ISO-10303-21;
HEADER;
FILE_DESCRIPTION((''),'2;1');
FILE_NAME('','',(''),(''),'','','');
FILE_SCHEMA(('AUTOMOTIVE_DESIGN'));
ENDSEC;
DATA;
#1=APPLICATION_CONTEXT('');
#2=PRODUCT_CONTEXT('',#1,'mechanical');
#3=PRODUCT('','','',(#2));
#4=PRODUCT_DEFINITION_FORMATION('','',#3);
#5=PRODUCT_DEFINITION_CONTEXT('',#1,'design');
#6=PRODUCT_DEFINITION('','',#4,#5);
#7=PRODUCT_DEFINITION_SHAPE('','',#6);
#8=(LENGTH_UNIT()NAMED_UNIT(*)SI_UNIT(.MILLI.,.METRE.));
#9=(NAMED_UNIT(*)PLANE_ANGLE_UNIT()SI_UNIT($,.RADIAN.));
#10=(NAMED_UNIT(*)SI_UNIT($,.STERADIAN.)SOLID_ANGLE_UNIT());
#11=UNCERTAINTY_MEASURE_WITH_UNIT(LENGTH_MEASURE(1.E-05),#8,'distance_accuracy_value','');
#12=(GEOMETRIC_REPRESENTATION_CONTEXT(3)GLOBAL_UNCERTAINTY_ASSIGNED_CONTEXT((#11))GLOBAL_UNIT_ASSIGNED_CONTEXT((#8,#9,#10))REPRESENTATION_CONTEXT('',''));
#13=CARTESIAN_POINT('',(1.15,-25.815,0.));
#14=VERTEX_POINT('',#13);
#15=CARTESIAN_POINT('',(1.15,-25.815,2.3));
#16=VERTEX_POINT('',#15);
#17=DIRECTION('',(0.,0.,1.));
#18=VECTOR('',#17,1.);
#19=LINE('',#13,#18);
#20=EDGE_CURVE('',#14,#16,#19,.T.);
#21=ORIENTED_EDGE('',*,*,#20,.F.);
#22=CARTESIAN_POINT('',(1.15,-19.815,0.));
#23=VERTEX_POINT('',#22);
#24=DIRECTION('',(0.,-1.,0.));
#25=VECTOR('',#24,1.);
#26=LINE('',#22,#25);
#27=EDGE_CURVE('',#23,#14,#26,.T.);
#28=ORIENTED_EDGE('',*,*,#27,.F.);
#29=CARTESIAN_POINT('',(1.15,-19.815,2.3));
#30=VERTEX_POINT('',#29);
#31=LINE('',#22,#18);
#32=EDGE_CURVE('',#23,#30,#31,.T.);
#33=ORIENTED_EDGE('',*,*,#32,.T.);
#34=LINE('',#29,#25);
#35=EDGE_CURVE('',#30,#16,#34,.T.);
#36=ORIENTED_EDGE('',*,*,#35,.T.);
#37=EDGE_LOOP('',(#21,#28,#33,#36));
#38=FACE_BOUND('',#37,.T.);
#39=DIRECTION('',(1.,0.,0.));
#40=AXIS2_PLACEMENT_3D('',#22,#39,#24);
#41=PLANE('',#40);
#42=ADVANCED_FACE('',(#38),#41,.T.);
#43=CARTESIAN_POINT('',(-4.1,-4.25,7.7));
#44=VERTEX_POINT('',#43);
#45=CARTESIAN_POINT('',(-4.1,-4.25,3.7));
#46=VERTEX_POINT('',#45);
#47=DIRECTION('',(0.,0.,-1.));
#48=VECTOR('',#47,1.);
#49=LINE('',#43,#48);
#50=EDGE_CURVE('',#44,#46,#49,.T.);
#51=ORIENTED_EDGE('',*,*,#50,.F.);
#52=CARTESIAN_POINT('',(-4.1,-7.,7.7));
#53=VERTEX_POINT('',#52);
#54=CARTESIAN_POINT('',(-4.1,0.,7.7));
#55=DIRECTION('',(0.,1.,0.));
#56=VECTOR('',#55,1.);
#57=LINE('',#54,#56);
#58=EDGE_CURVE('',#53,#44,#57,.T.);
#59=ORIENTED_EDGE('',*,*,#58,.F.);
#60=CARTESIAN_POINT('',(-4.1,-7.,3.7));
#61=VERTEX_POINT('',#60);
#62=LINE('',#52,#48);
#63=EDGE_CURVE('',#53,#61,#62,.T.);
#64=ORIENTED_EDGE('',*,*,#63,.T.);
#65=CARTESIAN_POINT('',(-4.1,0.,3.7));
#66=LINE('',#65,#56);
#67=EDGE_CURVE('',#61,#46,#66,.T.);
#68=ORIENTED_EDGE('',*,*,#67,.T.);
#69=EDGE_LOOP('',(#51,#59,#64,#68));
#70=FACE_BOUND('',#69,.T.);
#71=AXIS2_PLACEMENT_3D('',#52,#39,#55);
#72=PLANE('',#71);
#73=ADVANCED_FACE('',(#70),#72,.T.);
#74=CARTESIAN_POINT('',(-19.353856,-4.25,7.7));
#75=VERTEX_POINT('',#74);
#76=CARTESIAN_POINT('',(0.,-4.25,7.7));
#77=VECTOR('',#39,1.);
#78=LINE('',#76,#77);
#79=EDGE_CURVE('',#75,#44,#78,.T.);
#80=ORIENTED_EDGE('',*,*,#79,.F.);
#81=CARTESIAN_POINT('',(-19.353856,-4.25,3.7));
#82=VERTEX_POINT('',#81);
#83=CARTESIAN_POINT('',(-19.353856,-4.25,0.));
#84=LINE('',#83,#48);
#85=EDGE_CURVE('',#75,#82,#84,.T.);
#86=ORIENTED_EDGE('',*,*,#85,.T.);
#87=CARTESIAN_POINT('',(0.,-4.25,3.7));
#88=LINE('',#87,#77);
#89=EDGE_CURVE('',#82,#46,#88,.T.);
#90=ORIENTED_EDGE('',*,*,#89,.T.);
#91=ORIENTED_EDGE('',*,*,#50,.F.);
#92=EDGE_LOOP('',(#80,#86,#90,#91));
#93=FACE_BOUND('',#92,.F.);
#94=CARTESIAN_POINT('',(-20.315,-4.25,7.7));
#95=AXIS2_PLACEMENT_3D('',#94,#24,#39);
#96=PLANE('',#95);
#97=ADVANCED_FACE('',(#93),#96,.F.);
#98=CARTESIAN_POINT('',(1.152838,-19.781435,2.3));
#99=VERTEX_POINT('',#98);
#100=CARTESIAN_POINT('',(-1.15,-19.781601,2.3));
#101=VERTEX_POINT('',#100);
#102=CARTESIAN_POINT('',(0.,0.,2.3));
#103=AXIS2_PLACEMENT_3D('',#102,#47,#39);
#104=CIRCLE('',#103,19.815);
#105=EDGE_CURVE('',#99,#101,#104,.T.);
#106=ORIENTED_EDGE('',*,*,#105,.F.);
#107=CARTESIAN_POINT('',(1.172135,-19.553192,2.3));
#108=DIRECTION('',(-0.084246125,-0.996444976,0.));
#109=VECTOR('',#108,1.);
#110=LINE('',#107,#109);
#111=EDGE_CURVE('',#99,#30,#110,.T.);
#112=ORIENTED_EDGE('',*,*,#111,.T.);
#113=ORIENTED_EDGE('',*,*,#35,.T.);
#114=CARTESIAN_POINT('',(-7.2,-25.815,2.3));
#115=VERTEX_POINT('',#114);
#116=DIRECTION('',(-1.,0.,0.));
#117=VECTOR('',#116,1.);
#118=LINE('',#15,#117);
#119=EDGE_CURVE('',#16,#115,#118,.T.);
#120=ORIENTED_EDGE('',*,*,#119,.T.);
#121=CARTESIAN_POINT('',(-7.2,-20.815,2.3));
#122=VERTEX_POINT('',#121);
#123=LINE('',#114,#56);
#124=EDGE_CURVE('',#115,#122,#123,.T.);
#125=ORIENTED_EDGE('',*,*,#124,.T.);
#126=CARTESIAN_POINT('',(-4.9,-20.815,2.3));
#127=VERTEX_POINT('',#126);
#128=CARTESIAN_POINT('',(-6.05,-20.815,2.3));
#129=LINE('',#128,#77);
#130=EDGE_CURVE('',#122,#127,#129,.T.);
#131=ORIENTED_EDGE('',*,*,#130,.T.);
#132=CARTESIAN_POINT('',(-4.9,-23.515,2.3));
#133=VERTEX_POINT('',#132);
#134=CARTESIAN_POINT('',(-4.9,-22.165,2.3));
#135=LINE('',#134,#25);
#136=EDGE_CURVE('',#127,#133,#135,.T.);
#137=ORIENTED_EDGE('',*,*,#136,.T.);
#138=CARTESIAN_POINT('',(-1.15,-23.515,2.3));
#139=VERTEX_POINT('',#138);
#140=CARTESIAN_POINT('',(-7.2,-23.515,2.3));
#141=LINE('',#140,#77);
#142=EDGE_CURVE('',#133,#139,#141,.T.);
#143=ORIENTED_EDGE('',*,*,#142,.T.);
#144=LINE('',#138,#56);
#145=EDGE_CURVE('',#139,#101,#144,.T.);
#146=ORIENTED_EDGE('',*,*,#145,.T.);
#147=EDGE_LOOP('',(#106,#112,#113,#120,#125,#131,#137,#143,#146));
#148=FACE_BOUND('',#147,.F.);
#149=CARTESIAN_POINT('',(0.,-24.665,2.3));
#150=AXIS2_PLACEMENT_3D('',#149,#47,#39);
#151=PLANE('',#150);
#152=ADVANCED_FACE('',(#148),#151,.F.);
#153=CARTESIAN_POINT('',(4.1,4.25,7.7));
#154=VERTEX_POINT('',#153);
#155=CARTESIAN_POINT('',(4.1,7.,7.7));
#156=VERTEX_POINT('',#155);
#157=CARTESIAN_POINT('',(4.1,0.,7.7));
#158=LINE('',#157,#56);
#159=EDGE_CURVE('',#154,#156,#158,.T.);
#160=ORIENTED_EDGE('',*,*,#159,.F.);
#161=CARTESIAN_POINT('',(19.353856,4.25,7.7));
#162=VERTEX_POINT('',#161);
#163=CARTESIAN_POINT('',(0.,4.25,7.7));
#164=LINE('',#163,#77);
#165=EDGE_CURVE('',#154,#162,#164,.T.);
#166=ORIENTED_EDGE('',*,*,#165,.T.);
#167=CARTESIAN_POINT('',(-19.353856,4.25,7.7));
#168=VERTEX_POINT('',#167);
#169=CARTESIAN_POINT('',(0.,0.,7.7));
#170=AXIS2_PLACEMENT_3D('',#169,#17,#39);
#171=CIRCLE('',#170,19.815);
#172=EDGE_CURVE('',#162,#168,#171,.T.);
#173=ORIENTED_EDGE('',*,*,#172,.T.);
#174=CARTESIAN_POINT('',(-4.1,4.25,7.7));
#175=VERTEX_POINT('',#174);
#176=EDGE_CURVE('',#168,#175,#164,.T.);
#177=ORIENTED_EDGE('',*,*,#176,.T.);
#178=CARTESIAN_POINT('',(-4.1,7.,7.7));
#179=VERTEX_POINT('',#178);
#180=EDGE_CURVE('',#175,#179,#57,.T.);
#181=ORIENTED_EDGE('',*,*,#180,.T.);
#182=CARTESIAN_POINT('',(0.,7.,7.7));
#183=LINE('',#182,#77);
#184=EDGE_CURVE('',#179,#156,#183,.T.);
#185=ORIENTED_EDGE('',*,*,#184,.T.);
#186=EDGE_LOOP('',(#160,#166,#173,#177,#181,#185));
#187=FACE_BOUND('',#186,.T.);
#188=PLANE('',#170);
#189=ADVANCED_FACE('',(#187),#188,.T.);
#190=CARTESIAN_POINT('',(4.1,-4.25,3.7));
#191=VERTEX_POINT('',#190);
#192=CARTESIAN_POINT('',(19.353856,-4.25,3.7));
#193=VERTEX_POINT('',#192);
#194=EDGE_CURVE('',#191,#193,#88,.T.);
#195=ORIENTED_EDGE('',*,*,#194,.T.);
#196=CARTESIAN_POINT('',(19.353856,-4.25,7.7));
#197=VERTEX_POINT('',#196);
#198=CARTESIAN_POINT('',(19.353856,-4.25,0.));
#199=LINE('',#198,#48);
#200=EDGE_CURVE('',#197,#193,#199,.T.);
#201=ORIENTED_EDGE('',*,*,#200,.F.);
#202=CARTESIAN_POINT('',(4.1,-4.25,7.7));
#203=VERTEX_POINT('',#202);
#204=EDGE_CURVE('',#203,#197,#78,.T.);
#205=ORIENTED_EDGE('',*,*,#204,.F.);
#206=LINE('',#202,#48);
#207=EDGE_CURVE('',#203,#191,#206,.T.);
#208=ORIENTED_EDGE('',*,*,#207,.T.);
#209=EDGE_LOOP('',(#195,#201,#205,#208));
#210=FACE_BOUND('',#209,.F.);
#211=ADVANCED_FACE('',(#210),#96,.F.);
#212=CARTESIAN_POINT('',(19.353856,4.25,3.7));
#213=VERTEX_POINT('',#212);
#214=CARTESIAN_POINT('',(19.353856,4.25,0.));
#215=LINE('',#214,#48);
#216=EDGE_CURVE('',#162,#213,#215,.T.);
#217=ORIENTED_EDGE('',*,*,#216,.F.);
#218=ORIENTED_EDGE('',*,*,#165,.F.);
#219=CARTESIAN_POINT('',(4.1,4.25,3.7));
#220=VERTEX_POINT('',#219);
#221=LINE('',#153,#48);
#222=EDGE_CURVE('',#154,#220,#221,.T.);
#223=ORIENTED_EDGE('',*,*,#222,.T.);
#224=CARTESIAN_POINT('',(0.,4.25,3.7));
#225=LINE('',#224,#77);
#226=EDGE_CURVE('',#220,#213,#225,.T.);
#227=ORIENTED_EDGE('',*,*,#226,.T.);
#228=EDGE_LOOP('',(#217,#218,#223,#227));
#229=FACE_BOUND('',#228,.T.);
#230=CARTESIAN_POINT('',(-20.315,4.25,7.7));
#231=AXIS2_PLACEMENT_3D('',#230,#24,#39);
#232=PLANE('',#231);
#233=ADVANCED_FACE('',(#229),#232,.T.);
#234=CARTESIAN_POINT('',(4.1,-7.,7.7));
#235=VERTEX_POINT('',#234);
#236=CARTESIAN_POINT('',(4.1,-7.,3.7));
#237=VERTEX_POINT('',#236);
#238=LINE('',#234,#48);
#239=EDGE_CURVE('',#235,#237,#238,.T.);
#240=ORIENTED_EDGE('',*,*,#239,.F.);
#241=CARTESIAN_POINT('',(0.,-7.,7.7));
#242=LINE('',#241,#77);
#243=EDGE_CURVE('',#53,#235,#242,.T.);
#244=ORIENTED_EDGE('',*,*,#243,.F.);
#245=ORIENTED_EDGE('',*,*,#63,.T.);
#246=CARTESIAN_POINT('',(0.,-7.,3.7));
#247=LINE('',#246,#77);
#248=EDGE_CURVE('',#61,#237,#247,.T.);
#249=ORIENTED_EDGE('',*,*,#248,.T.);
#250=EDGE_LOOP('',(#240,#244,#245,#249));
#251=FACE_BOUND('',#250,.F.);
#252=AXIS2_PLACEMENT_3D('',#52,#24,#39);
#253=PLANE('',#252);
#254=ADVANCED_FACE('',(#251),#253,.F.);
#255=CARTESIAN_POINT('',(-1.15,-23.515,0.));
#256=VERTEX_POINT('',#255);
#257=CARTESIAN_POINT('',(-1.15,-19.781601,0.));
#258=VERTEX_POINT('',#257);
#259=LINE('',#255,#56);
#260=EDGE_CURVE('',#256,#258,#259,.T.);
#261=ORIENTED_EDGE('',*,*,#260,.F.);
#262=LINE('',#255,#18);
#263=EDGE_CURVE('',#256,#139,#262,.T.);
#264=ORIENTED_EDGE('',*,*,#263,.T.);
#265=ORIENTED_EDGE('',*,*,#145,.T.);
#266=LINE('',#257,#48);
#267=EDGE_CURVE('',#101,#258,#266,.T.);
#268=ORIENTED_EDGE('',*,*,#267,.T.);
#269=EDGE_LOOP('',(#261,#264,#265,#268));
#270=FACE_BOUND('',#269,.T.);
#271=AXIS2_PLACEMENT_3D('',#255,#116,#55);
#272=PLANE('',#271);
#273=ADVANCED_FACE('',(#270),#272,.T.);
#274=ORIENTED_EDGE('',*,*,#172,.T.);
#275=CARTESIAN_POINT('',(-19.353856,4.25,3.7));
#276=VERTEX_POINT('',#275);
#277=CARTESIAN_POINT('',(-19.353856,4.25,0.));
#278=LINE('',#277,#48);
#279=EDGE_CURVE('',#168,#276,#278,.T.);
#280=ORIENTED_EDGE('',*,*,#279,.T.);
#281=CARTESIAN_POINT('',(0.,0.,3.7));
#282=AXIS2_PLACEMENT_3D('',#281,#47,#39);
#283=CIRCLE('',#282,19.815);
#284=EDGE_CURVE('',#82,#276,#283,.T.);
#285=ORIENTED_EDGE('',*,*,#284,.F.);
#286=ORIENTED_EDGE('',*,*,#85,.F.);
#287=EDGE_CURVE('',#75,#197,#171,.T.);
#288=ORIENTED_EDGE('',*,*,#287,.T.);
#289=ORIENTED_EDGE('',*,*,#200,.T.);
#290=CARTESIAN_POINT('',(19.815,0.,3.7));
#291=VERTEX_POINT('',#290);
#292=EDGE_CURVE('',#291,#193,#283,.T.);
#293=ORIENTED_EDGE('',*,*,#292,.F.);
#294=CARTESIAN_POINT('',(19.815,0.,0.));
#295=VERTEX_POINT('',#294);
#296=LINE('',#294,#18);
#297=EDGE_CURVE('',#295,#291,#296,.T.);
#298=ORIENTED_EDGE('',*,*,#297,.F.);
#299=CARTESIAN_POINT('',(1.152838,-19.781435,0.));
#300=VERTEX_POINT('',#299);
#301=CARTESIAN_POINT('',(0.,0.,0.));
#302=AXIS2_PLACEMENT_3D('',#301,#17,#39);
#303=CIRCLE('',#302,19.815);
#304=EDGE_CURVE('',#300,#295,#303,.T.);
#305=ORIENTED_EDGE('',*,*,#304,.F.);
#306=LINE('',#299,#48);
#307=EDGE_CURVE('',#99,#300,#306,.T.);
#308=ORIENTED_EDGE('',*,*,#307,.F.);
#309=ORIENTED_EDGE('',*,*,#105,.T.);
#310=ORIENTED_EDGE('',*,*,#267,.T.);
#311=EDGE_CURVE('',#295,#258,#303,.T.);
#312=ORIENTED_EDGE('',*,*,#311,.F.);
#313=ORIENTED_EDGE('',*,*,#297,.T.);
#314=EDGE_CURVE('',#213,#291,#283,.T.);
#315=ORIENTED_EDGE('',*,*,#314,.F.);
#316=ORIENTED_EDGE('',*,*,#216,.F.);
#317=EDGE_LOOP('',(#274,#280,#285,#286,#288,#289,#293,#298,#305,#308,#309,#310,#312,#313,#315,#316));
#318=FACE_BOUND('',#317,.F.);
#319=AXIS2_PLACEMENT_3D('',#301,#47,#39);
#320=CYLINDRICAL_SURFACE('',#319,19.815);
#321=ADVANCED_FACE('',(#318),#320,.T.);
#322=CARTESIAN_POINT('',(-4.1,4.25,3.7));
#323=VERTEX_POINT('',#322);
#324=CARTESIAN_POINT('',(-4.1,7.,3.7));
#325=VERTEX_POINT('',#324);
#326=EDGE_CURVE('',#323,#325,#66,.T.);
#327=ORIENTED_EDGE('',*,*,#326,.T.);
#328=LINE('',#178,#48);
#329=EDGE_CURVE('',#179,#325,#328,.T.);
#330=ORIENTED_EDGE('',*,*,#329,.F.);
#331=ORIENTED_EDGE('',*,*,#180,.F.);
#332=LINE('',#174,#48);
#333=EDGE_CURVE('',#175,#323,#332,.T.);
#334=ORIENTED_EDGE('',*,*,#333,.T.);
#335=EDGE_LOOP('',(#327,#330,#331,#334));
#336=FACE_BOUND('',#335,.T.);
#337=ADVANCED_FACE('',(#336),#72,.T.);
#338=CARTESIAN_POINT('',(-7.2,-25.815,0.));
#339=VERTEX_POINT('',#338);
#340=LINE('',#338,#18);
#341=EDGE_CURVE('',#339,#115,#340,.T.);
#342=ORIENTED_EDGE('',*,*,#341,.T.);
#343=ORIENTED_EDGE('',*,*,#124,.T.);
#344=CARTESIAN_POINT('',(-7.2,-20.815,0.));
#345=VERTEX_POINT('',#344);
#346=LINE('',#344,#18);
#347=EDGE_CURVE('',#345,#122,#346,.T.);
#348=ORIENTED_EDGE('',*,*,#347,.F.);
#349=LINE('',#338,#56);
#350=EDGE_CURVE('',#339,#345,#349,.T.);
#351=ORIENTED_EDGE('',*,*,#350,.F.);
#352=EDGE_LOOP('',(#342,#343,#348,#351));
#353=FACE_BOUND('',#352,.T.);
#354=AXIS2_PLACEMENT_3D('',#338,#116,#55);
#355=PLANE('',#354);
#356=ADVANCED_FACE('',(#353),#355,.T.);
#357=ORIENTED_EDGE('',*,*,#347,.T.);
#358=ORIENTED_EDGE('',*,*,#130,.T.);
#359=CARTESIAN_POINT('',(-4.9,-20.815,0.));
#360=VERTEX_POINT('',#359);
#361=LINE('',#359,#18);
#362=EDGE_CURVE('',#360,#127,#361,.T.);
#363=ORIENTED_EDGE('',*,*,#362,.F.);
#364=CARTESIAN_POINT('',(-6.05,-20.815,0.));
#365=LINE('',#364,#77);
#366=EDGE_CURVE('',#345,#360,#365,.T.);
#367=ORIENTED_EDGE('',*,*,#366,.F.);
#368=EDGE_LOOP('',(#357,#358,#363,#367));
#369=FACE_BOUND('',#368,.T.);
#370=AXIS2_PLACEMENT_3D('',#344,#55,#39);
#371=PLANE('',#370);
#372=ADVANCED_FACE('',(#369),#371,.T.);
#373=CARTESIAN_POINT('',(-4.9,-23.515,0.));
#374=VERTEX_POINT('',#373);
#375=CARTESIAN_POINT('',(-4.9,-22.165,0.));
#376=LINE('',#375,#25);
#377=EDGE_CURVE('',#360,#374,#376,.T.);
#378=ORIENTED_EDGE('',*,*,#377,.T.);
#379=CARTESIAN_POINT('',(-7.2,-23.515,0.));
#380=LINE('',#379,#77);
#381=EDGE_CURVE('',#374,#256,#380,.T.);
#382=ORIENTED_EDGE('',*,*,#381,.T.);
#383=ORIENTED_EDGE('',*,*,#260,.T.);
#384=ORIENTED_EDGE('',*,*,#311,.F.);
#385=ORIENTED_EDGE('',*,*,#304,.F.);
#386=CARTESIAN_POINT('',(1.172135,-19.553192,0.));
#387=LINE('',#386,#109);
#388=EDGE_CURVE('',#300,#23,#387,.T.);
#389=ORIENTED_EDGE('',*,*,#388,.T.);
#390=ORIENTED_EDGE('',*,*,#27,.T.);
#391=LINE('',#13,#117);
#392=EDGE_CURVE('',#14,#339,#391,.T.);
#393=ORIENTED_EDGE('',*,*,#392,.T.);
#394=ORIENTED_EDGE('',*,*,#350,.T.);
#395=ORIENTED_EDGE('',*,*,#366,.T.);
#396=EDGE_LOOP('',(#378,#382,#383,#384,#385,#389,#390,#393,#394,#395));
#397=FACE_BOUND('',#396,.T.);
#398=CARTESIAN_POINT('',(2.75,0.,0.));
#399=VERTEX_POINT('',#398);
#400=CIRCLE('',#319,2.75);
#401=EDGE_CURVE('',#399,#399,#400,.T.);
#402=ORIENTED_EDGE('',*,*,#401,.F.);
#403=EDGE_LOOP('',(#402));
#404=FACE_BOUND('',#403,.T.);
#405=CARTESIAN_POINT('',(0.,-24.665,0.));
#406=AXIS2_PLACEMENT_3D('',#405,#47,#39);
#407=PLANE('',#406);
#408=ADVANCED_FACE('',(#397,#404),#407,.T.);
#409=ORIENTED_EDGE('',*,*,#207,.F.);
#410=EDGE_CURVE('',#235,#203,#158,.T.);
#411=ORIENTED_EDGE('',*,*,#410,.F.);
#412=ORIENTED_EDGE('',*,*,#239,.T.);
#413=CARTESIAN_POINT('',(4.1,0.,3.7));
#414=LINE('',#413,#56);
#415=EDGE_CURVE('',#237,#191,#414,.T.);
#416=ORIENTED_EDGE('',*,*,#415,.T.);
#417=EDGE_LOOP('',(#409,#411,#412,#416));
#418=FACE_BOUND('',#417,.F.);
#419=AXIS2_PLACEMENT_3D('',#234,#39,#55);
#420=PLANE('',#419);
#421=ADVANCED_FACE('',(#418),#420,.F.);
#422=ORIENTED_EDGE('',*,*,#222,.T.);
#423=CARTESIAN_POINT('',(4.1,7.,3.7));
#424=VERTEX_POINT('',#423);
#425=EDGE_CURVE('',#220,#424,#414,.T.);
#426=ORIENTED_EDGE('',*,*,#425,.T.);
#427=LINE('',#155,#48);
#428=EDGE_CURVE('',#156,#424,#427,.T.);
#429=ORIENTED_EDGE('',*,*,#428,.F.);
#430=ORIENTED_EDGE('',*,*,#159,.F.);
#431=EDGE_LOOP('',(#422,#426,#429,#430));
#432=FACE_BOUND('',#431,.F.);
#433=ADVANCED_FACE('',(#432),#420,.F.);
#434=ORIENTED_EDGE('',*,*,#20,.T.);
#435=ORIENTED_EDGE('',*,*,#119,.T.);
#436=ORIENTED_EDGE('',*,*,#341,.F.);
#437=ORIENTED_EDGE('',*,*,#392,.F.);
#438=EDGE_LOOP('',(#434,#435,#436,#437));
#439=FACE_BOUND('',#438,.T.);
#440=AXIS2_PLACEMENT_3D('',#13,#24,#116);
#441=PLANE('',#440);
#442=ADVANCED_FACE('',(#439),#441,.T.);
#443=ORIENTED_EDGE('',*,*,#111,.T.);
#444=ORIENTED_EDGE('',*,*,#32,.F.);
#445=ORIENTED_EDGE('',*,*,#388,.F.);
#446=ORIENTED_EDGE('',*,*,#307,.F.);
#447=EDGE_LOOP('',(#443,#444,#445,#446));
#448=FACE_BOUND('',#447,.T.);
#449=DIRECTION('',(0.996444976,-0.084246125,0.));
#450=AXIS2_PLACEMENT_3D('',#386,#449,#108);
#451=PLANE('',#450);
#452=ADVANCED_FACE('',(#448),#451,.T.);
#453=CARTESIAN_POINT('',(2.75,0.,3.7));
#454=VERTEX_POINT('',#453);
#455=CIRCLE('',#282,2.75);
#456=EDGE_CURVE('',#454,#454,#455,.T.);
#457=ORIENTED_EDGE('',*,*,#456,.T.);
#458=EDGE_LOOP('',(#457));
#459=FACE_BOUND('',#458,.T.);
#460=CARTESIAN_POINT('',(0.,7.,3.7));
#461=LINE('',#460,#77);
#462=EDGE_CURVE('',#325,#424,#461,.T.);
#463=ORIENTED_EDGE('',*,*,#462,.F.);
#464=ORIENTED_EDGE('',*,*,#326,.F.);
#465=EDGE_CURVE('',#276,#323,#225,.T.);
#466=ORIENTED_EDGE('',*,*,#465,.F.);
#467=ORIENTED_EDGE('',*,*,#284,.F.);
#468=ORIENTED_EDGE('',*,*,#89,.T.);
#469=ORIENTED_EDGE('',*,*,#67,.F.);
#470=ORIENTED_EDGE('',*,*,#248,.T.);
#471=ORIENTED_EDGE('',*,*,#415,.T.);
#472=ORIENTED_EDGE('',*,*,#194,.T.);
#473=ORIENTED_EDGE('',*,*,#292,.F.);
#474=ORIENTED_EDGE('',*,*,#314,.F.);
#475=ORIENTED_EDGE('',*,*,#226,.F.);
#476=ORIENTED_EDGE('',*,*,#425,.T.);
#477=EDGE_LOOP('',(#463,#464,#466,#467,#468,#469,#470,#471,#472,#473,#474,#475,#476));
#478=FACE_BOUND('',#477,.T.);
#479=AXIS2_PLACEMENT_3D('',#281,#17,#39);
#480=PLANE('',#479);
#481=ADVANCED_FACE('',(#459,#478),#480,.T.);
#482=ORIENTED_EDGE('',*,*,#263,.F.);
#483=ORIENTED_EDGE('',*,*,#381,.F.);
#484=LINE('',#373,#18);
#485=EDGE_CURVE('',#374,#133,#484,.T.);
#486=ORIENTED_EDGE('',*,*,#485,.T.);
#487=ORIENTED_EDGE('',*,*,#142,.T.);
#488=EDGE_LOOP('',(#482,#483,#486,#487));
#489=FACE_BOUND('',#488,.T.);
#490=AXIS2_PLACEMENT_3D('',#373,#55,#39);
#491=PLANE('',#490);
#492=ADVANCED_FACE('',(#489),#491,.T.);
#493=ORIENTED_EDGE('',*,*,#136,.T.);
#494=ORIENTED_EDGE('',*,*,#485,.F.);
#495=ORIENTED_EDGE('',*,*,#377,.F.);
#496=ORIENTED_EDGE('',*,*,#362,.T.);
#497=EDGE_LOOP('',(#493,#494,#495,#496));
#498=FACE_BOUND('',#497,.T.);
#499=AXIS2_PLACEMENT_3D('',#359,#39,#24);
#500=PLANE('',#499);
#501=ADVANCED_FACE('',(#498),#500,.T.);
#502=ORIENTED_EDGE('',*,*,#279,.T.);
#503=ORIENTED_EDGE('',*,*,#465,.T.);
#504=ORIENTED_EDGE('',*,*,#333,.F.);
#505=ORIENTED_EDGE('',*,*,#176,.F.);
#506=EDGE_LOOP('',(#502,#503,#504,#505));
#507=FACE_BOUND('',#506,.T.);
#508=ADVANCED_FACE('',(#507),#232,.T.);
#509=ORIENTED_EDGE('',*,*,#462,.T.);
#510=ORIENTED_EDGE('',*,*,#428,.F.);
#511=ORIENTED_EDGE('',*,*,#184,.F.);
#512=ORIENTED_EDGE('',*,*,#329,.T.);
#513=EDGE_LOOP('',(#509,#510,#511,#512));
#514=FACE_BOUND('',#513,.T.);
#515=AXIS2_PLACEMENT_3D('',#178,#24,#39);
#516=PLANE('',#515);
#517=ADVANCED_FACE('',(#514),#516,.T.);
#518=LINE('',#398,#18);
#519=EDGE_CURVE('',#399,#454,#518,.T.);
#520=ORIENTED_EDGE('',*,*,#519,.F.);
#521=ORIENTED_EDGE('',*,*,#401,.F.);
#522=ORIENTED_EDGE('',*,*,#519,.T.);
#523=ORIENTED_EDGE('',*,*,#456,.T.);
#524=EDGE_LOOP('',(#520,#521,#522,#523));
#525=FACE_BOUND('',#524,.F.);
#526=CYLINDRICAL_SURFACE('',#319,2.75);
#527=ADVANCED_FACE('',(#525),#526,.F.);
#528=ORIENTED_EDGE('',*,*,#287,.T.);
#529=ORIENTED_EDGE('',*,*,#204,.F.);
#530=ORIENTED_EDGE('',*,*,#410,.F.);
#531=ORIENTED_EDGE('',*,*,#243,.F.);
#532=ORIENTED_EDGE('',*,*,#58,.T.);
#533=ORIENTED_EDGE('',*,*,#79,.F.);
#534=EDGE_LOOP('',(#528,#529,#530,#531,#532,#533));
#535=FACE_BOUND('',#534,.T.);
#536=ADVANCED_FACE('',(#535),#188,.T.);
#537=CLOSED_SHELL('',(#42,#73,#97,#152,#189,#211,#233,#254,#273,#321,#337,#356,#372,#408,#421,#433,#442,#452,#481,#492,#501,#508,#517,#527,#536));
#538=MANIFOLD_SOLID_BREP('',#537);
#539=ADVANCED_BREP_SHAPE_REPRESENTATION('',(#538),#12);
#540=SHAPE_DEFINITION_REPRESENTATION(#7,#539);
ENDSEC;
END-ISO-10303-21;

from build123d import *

# Parameters (mm, degrees)
F0_R     = 19.815
F1_DEPTH = 7.7
F2_W     = 8.2
F2_H     = 14
F3_DEPTH = 4
F4_W     = 40.63
F4_H     = 8.5
F5_DEPTH = 4
F6_W     = 2.3
F6_H     = 2.3
F6_W_2   = 3.75
F6_H_2   = 2.7
F7_DEPTH = 2.3
F8_R     = 2.75
F9_DEPTH = 25


with BuildPart() as f1:
    # F0 (on Top) → F1 (new body)
    with BuildSketch(Plane.XY):
        Circle(F0_R)
    extrude(amount=F1_DEPTH)

    # F2 (on face) → F3 (cut)
    with BuildSketch(Plane.XY.offset(7.7)):
        Rectangle(F2_W, F2_H)
    extrude(amount=-F3_DEPTH, mode=Mode.SUBTRACT)

    # F4 (on face) → F5 (cut)
    with BuildSketch(Plane.XY.offset(7.7)):
        Rectangle(F4_W, F4_H)
    extrude(amount=-F5_DEPTH, mode=Mode.SUBTRACT)

    # F6 (on face) → F7 (join)
    with BuildSketch(Plane(origin=(0, 0, 0), x_dir=(1, 0, 0), z_dir=(0, 0, -1))):
        with Locations((0, 24.665)):
            Rectangle(F6_W, F6_H)
        with Locations((-3.025, 24.665)):
            Rectangle(F6_W_2, F6_H)
        Polygon((1.15, 19.815), (1.15, 23.515), (-1.15, 23.515), (-1.15, 19.815), (-1.15, 19.516828), (1.172135, 19.553192), align=None)
        with Locations((-6.05, 24.665)):
            Rectangle(F6_W, F6_H)
        with Locations((-6.05, 22.165)):
            Rectangle(F6_W, F6_H_2)
    extrude(amount=-F7_DEPTH)

    # F8 (on face) → F9 (cut)
    with BuildSketch(Plane(origin=(0, 0, 0), x_dir=(1, 0, 0), z_dir=(0, 0, -1))):
        Circle(F8_R)
    extrude(amount=-F9_DEPTH, mode=Mode.SUBTRACT)


solid = f1.part
